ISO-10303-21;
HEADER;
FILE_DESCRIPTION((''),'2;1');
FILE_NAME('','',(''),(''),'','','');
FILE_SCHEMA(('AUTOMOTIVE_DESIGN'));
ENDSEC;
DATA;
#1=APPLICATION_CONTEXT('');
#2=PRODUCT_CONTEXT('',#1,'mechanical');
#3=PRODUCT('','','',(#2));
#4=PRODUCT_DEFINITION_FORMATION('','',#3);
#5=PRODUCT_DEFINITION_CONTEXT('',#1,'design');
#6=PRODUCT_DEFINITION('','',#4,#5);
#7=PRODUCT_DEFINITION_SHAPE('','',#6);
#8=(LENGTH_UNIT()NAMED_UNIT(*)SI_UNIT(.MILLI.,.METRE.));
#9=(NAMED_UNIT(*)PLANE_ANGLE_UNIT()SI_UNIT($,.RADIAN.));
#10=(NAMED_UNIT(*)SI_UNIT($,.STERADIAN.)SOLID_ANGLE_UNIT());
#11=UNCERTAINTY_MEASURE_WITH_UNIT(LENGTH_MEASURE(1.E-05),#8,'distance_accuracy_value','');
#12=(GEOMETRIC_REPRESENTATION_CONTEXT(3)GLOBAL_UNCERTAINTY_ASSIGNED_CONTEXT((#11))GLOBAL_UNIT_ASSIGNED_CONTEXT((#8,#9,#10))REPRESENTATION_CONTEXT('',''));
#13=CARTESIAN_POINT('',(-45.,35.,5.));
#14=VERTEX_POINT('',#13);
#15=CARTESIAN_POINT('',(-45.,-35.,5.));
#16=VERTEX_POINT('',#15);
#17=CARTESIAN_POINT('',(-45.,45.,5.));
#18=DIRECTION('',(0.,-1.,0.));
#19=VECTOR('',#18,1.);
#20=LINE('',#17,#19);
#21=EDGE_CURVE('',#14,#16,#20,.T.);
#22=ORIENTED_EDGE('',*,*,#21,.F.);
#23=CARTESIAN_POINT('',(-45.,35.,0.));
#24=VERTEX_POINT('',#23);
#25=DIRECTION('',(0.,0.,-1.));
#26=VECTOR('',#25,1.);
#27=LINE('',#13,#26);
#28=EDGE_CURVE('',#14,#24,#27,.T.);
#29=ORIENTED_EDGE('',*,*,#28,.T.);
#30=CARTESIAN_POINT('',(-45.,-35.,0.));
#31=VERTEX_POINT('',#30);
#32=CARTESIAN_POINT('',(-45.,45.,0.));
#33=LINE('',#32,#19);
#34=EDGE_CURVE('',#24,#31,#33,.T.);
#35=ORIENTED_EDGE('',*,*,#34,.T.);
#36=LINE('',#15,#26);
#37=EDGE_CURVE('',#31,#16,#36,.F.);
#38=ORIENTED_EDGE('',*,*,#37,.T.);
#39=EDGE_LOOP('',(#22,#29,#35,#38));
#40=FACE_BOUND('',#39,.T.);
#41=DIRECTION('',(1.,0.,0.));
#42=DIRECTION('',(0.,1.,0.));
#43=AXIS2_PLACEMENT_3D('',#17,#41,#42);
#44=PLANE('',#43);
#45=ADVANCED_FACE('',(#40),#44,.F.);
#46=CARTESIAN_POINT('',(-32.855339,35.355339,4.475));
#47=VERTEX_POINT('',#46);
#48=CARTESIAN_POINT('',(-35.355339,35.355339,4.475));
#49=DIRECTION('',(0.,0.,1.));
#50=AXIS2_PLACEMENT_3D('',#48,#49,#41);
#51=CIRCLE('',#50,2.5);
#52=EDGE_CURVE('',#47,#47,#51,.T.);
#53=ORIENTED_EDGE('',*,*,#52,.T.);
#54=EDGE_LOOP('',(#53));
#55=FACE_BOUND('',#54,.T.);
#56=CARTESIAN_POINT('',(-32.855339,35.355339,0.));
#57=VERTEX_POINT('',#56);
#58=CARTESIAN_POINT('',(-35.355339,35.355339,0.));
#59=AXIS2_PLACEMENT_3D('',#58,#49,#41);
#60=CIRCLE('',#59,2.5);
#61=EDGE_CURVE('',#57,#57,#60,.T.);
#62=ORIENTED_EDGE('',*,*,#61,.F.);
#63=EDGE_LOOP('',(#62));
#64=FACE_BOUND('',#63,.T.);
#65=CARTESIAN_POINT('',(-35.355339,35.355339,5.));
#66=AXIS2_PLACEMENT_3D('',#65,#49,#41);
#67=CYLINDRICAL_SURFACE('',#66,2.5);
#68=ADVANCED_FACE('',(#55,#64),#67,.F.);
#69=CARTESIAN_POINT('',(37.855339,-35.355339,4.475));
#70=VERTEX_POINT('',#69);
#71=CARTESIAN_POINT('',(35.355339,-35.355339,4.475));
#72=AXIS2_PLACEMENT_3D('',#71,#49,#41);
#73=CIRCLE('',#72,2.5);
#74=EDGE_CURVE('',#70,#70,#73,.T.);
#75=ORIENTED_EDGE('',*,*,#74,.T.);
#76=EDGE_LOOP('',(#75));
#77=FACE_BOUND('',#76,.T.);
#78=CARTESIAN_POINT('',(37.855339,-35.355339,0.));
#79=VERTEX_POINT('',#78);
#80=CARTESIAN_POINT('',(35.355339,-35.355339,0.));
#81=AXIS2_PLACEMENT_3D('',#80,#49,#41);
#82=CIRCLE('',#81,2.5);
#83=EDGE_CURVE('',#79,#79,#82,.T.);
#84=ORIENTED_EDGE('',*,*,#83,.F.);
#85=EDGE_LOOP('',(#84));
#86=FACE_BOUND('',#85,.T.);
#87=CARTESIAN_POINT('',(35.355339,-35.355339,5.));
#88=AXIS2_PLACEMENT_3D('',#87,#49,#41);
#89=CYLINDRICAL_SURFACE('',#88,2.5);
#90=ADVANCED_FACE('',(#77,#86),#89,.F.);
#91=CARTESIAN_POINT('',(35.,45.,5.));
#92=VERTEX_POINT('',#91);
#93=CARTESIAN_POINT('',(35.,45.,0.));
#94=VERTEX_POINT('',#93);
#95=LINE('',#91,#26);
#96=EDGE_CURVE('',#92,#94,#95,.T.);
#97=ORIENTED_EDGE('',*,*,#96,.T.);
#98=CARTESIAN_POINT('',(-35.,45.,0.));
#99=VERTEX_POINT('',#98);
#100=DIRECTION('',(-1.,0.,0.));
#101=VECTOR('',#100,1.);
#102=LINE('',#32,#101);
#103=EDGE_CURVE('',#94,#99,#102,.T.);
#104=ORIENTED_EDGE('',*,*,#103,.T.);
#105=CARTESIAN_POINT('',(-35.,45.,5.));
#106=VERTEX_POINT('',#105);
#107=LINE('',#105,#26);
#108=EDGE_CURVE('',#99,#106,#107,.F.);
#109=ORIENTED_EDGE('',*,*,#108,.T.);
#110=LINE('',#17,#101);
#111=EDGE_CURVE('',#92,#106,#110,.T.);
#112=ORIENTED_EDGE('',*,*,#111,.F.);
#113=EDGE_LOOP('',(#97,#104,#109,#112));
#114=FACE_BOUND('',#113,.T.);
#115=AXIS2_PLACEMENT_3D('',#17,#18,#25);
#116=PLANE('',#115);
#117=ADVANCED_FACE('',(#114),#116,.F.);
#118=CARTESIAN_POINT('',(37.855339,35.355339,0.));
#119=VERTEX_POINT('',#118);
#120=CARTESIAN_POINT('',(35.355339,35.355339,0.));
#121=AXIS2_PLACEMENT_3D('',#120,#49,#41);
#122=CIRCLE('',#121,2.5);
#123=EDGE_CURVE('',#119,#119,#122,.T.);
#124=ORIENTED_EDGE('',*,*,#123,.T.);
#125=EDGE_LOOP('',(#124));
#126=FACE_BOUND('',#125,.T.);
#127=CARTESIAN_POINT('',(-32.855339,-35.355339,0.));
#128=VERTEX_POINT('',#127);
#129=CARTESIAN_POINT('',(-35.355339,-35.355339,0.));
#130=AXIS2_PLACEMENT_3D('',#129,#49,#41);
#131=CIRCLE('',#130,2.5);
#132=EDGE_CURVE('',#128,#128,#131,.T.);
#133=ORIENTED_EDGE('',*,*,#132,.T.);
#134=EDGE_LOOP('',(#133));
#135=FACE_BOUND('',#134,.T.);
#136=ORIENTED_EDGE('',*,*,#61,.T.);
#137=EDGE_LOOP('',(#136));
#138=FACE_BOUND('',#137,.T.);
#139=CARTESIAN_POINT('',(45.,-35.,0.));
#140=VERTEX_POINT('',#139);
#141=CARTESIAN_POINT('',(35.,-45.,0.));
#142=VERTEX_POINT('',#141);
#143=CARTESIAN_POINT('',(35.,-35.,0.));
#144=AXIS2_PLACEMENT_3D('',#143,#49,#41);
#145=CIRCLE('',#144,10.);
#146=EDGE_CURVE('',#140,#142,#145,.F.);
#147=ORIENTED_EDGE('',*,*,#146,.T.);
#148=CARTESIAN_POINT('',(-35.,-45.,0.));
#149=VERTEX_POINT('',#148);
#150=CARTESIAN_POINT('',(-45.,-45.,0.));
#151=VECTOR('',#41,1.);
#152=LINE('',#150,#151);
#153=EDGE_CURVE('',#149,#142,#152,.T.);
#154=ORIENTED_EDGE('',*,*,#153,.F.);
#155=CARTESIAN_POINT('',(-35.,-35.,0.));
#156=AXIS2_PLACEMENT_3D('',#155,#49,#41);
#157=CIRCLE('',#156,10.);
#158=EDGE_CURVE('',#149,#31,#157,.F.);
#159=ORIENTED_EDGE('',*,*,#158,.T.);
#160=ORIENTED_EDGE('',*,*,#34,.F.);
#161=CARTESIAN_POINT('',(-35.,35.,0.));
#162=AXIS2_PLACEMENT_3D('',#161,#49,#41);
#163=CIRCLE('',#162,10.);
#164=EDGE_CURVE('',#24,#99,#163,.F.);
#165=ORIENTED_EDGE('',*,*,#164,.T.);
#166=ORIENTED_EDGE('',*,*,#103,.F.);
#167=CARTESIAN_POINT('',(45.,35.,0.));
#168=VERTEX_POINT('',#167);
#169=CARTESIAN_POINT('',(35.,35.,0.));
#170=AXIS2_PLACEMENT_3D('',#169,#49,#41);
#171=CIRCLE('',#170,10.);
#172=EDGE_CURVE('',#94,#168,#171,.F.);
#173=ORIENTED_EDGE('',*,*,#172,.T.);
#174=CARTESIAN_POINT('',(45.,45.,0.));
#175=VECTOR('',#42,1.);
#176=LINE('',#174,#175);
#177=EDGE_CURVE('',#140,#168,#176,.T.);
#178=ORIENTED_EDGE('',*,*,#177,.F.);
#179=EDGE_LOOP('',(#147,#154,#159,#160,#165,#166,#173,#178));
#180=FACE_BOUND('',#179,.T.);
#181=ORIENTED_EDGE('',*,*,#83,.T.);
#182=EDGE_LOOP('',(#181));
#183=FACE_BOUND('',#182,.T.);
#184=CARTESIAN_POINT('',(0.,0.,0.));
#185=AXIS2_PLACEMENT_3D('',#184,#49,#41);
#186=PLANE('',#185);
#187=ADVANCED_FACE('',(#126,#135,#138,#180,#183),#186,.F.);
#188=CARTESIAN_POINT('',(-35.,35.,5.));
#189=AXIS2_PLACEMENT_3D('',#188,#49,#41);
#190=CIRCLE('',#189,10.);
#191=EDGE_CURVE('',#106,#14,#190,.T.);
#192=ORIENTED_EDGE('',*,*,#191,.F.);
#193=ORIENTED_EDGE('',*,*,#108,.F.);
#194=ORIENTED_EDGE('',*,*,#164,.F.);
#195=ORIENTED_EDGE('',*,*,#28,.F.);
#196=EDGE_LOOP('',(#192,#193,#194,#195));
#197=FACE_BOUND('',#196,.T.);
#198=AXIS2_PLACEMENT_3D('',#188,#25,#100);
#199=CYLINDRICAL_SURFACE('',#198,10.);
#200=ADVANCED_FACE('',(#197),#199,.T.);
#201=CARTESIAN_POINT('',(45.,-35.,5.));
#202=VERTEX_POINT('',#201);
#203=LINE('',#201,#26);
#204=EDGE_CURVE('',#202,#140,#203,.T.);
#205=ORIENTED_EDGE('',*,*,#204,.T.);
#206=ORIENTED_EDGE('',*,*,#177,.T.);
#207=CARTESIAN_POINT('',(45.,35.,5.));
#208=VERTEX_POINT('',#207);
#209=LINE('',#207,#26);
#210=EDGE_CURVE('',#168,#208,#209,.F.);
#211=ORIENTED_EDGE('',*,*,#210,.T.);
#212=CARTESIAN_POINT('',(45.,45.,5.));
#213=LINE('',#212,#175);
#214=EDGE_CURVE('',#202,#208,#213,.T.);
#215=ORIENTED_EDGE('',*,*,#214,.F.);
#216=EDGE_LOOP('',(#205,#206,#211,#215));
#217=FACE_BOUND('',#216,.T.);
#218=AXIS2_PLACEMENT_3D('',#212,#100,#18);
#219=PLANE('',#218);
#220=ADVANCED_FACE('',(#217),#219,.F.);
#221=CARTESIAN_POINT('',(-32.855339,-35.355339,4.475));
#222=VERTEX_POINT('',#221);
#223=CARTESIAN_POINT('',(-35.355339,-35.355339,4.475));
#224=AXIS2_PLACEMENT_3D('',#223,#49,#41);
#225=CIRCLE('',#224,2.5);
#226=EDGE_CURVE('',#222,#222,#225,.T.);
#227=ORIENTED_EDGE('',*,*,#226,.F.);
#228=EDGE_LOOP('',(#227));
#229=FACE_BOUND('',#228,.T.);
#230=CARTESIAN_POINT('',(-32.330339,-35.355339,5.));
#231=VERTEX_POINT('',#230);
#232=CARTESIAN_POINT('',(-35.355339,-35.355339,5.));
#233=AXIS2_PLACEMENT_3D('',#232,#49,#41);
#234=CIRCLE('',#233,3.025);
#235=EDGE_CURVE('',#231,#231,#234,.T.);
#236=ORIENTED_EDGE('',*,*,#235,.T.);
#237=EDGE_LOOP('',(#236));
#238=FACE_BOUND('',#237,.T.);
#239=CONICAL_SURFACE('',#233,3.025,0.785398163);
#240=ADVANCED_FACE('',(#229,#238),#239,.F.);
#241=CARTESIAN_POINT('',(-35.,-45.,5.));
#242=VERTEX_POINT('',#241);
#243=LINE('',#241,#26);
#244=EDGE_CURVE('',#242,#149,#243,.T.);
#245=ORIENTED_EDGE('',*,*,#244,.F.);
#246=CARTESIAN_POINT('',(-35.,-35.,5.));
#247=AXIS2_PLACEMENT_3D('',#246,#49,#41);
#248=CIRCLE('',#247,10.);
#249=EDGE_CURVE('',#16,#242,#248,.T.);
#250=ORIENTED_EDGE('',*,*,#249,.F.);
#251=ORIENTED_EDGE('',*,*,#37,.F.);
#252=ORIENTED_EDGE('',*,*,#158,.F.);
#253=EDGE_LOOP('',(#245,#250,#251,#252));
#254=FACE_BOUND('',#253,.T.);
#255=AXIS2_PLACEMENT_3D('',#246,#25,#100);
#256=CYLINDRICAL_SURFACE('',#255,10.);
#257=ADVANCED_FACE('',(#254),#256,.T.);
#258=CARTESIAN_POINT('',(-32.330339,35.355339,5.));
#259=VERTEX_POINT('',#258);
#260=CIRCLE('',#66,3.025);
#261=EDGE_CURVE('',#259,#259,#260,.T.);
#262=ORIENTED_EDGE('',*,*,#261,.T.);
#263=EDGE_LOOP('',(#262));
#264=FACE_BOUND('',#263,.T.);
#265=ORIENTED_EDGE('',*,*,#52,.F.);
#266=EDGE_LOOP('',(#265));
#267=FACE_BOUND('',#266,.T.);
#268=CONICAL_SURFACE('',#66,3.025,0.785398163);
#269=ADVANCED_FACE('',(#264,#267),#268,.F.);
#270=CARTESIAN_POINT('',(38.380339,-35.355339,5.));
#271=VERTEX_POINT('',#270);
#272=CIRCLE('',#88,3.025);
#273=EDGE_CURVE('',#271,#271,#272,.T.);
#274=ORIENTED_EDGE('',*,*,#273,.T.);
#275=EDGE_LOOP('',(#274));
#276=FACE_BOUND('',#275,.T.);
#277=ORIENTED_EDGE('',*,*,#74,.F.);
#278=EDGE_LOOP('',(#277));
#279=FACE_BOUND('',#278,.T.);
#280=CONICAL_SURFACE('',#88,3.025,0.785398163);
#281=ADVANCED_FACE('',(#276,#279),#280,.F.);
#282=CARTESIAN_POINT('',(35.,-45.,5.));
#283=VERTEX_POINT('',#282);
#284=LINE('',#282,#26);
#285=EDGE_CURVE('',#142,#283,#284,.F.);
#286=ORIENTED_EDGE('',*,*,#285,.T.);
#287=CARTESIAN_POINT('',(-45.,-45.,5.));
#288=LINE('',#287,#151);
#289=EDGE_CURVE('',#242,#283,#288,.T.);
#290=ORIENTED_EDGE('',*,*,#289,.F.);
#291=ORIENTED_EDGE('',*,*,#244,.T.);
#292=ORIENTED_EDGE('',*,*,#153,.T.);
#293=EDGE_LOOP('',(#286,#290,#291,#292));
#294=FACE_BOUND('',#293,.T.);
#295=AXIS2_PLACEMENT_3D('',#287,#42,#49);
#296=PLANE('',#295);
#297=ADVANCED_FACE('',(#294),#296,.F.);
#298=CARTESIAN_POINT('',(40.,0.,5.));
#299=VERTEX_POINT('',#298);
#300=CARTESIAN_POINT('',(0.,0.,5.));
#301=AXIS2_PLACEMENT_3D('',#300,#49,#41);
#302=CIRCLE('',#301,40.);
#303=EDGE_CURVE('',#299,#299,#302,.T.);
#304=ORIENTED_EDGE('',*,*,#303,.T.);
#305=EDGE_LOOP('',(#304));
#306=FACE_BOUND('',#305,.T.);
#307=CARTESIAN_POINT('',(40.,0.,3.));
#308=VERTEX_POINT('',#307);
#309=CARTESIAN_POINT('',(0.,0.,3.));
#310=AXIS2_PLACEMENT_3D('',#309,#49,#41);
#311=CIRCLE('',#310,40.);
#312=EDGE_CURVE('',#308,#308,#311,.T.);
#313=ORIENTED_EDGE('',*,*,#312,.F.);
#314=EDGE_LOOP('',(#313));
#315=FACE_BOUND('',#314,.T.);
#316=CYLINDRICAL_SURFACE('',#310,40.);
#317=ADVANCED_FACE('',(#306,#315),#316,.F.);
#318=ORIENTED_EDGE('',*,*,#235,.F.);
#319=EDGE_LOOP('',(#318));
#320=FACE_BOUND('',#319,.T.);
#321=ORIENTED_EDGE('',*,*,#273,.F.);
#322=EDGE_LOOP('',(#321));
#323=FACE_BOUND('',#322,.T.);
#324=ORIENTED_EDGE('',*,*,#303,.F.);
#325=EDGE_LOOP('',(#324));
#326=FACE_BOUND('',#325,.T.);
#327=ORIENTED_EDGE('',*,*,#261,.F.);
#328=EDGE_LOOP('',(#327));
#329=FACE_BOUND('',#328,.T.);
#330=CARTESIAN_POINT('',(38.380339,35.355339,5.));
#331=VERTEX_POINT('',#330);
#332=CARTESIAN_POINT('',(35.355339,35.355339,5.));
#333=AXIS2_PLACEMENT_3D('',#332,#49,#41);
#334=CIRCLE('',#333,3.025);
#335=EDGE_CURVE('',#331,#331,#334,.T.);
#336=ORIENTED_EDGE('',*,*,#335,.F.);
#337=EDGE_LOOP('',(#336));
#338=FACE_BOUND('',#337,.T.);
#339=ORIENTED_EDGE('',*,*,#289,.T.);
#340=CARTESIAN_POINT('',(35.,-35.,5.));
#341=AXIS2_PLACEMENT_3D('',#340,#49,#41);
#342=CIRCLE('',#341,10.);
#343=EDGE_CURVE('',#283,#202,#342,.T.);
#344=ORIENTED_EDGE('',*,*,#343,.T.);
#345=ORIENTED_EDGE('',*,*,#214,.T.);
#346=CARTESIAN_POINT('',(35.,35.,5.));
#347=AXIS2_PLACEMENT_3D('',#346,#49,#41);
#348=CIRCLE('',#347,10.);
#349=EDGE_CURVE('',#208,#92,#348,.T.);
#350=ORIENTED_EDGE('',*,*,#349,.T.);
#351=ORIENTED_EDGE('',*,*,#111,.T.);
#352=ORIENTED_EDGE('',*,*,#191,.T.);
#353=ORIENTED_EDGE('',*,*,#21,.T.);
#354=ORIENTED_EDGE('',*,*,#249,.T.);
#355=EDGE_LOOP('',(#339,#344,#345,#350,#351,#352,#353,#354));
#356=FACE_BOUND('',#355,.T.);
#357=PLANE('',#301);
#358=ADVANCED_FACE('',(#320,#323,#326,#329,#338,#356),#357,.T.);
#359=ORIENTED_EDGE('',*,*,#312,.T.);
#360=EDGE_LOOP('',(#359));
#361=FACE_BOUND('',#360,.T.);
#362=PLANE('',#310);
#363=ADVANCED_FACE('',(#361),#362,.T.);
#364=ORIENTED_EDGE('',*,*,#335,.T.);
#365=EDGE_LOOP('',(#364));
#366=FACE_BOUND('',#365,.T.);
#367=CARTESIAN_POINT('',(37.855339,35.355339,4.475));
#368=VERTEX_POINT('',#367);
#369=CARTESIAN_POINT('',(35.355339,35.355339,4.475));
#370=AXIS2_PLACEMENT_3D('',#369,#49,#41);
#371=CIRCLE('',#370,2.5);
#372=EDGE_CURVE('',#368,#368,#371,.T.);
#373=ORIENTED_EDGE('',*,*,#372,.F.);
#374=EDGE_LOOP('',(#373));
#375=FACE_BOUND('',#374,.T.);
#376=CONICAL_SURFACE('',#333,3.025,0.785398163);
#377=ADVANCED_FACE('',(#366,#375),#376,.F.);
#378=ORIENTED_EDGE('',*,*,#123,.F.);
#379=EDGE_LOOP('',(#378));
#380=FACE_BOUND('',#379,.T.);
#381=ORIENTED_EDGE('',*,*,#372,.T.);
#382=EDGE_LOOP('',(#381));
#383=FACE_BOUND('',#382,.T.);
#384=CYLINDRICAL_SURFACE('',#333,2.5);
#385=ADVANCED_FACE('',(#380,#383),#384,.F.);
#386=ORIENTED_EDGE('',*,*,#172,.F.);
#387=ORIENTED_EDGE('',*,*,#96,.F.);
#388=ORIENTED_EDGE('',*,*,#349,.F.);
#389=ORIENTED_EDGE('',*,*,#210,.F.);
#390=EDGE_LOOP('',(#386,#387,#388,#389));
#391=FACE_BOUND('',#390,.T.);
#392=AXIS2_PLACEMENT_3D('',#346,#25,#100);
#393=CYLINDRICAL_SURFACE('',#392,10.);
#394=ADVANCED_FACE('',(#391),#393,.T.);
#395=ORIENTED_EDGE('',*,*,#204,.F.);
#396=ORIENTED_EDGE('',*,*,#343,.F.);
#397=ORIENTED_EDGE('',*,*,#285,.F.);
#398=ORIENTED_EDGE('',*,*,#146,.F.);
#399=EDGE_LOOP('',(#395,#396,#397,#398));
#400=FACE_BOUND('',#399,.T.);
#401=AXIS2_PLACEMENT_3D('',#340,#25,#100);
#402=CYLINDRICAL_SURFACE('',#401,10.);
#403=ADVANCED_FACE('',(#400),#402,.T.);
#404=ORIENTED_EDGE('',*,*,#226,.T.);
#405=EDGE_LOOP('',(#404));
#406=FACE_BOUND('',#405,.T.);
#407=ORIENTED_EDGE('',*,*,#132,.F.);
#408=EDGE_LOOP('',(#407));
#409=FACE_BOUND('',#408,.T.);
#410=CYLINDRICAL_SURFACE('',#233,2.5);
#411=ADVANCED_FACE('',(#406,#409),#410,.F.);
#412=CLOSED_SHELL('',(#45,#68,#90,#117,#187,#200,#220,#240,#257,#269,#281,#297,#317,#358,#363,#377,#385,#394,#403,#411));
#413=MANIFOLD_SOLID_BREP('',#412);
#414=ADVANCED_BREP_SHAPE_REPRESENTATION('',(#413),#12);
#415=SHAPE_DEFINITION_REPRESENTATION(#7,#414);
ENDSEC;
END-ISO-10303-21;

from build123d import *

# Parameters (mm, degrees)
SKETCH_1_W                   = 90
SKETCH_1_H                   = 90
EXTRUDE_1_DEPTH              = 5
FILLET_1_R                   = 10
HOLE_WIZARD_M6_1_D           = 5
HOLE_WIZARD_M6_1_DEPTH       = 17
HOLE_WIZARD_M6_1_CSINK_D     = 6.05
HOLE_WIZARD_M6_1_CSINK_ANGLE = 90
HOLE_WIZARD_M6_1_TIP         = 1.502151548
SKETCH_4_R                   = 40
CUT_EXTRUDE_1_DEPTH          = 2


with BuildPart() as part:
    # 草图1 → 凸台-拉伸1 (new body)
    with BuildSketch(Plane.XY):
        Rectangle(SKETCH_1_W, SKETCH_1_H)
    extrude(amount=EXTRUDE_1_DEPTH)

    # 圆角1
    fillet_1_edges = [part.edges().sort_by_distance(p)[0] for p in [
        (45, -45, 2.5),
        (-45, -45, 2.5),
        (-45, 45, 2.5),
        (45, 45, 2.5),
    ]]
    fillet(fillet_1_edges, radius=FILLET_1_R)

    # M6 螺纹孔1
    with Locations(Plane.XY.offset(5)):
        with Locations((35.355339059, -35.355339059), (-35.355339059, 35.355339059), (35.355339059, 35.355339059), (-35.355339059, -35.355339059)):
            CounterSinkHole(HOLE_WIZARD_M6_1_D / 2, HOLE_WIZARD_M6_1_CSINK_D / 2, depth=HOLE_WIZARD_M6_1_DEPTH, counter_sink_angle=HOLE_WIZARD_M6_1_CSINK_ANGLE)
            with Locations((0, 0, -(HOLE_WIZARD_M6_1_DEPTH + HOLE_WIZARD_M6_1_TIP / 2))):  # 118° drill point
                Cone(0, HOLE_WIZARD_M6_1_D / 2, HOLE_WIZARD_M6_1_TIP, mode=Mode.SUBTRACT)

    # 草图4 → 切除-拉伸1 (cut)
    with BuildSketch(Plane.XY.offset(5)):
        Circle(SKETCH_4_R)
    extrude(amount=-CUT_EXTRUDE_1_DEPTH, mode=Mode.SUBTRACT)


solid = part.part
